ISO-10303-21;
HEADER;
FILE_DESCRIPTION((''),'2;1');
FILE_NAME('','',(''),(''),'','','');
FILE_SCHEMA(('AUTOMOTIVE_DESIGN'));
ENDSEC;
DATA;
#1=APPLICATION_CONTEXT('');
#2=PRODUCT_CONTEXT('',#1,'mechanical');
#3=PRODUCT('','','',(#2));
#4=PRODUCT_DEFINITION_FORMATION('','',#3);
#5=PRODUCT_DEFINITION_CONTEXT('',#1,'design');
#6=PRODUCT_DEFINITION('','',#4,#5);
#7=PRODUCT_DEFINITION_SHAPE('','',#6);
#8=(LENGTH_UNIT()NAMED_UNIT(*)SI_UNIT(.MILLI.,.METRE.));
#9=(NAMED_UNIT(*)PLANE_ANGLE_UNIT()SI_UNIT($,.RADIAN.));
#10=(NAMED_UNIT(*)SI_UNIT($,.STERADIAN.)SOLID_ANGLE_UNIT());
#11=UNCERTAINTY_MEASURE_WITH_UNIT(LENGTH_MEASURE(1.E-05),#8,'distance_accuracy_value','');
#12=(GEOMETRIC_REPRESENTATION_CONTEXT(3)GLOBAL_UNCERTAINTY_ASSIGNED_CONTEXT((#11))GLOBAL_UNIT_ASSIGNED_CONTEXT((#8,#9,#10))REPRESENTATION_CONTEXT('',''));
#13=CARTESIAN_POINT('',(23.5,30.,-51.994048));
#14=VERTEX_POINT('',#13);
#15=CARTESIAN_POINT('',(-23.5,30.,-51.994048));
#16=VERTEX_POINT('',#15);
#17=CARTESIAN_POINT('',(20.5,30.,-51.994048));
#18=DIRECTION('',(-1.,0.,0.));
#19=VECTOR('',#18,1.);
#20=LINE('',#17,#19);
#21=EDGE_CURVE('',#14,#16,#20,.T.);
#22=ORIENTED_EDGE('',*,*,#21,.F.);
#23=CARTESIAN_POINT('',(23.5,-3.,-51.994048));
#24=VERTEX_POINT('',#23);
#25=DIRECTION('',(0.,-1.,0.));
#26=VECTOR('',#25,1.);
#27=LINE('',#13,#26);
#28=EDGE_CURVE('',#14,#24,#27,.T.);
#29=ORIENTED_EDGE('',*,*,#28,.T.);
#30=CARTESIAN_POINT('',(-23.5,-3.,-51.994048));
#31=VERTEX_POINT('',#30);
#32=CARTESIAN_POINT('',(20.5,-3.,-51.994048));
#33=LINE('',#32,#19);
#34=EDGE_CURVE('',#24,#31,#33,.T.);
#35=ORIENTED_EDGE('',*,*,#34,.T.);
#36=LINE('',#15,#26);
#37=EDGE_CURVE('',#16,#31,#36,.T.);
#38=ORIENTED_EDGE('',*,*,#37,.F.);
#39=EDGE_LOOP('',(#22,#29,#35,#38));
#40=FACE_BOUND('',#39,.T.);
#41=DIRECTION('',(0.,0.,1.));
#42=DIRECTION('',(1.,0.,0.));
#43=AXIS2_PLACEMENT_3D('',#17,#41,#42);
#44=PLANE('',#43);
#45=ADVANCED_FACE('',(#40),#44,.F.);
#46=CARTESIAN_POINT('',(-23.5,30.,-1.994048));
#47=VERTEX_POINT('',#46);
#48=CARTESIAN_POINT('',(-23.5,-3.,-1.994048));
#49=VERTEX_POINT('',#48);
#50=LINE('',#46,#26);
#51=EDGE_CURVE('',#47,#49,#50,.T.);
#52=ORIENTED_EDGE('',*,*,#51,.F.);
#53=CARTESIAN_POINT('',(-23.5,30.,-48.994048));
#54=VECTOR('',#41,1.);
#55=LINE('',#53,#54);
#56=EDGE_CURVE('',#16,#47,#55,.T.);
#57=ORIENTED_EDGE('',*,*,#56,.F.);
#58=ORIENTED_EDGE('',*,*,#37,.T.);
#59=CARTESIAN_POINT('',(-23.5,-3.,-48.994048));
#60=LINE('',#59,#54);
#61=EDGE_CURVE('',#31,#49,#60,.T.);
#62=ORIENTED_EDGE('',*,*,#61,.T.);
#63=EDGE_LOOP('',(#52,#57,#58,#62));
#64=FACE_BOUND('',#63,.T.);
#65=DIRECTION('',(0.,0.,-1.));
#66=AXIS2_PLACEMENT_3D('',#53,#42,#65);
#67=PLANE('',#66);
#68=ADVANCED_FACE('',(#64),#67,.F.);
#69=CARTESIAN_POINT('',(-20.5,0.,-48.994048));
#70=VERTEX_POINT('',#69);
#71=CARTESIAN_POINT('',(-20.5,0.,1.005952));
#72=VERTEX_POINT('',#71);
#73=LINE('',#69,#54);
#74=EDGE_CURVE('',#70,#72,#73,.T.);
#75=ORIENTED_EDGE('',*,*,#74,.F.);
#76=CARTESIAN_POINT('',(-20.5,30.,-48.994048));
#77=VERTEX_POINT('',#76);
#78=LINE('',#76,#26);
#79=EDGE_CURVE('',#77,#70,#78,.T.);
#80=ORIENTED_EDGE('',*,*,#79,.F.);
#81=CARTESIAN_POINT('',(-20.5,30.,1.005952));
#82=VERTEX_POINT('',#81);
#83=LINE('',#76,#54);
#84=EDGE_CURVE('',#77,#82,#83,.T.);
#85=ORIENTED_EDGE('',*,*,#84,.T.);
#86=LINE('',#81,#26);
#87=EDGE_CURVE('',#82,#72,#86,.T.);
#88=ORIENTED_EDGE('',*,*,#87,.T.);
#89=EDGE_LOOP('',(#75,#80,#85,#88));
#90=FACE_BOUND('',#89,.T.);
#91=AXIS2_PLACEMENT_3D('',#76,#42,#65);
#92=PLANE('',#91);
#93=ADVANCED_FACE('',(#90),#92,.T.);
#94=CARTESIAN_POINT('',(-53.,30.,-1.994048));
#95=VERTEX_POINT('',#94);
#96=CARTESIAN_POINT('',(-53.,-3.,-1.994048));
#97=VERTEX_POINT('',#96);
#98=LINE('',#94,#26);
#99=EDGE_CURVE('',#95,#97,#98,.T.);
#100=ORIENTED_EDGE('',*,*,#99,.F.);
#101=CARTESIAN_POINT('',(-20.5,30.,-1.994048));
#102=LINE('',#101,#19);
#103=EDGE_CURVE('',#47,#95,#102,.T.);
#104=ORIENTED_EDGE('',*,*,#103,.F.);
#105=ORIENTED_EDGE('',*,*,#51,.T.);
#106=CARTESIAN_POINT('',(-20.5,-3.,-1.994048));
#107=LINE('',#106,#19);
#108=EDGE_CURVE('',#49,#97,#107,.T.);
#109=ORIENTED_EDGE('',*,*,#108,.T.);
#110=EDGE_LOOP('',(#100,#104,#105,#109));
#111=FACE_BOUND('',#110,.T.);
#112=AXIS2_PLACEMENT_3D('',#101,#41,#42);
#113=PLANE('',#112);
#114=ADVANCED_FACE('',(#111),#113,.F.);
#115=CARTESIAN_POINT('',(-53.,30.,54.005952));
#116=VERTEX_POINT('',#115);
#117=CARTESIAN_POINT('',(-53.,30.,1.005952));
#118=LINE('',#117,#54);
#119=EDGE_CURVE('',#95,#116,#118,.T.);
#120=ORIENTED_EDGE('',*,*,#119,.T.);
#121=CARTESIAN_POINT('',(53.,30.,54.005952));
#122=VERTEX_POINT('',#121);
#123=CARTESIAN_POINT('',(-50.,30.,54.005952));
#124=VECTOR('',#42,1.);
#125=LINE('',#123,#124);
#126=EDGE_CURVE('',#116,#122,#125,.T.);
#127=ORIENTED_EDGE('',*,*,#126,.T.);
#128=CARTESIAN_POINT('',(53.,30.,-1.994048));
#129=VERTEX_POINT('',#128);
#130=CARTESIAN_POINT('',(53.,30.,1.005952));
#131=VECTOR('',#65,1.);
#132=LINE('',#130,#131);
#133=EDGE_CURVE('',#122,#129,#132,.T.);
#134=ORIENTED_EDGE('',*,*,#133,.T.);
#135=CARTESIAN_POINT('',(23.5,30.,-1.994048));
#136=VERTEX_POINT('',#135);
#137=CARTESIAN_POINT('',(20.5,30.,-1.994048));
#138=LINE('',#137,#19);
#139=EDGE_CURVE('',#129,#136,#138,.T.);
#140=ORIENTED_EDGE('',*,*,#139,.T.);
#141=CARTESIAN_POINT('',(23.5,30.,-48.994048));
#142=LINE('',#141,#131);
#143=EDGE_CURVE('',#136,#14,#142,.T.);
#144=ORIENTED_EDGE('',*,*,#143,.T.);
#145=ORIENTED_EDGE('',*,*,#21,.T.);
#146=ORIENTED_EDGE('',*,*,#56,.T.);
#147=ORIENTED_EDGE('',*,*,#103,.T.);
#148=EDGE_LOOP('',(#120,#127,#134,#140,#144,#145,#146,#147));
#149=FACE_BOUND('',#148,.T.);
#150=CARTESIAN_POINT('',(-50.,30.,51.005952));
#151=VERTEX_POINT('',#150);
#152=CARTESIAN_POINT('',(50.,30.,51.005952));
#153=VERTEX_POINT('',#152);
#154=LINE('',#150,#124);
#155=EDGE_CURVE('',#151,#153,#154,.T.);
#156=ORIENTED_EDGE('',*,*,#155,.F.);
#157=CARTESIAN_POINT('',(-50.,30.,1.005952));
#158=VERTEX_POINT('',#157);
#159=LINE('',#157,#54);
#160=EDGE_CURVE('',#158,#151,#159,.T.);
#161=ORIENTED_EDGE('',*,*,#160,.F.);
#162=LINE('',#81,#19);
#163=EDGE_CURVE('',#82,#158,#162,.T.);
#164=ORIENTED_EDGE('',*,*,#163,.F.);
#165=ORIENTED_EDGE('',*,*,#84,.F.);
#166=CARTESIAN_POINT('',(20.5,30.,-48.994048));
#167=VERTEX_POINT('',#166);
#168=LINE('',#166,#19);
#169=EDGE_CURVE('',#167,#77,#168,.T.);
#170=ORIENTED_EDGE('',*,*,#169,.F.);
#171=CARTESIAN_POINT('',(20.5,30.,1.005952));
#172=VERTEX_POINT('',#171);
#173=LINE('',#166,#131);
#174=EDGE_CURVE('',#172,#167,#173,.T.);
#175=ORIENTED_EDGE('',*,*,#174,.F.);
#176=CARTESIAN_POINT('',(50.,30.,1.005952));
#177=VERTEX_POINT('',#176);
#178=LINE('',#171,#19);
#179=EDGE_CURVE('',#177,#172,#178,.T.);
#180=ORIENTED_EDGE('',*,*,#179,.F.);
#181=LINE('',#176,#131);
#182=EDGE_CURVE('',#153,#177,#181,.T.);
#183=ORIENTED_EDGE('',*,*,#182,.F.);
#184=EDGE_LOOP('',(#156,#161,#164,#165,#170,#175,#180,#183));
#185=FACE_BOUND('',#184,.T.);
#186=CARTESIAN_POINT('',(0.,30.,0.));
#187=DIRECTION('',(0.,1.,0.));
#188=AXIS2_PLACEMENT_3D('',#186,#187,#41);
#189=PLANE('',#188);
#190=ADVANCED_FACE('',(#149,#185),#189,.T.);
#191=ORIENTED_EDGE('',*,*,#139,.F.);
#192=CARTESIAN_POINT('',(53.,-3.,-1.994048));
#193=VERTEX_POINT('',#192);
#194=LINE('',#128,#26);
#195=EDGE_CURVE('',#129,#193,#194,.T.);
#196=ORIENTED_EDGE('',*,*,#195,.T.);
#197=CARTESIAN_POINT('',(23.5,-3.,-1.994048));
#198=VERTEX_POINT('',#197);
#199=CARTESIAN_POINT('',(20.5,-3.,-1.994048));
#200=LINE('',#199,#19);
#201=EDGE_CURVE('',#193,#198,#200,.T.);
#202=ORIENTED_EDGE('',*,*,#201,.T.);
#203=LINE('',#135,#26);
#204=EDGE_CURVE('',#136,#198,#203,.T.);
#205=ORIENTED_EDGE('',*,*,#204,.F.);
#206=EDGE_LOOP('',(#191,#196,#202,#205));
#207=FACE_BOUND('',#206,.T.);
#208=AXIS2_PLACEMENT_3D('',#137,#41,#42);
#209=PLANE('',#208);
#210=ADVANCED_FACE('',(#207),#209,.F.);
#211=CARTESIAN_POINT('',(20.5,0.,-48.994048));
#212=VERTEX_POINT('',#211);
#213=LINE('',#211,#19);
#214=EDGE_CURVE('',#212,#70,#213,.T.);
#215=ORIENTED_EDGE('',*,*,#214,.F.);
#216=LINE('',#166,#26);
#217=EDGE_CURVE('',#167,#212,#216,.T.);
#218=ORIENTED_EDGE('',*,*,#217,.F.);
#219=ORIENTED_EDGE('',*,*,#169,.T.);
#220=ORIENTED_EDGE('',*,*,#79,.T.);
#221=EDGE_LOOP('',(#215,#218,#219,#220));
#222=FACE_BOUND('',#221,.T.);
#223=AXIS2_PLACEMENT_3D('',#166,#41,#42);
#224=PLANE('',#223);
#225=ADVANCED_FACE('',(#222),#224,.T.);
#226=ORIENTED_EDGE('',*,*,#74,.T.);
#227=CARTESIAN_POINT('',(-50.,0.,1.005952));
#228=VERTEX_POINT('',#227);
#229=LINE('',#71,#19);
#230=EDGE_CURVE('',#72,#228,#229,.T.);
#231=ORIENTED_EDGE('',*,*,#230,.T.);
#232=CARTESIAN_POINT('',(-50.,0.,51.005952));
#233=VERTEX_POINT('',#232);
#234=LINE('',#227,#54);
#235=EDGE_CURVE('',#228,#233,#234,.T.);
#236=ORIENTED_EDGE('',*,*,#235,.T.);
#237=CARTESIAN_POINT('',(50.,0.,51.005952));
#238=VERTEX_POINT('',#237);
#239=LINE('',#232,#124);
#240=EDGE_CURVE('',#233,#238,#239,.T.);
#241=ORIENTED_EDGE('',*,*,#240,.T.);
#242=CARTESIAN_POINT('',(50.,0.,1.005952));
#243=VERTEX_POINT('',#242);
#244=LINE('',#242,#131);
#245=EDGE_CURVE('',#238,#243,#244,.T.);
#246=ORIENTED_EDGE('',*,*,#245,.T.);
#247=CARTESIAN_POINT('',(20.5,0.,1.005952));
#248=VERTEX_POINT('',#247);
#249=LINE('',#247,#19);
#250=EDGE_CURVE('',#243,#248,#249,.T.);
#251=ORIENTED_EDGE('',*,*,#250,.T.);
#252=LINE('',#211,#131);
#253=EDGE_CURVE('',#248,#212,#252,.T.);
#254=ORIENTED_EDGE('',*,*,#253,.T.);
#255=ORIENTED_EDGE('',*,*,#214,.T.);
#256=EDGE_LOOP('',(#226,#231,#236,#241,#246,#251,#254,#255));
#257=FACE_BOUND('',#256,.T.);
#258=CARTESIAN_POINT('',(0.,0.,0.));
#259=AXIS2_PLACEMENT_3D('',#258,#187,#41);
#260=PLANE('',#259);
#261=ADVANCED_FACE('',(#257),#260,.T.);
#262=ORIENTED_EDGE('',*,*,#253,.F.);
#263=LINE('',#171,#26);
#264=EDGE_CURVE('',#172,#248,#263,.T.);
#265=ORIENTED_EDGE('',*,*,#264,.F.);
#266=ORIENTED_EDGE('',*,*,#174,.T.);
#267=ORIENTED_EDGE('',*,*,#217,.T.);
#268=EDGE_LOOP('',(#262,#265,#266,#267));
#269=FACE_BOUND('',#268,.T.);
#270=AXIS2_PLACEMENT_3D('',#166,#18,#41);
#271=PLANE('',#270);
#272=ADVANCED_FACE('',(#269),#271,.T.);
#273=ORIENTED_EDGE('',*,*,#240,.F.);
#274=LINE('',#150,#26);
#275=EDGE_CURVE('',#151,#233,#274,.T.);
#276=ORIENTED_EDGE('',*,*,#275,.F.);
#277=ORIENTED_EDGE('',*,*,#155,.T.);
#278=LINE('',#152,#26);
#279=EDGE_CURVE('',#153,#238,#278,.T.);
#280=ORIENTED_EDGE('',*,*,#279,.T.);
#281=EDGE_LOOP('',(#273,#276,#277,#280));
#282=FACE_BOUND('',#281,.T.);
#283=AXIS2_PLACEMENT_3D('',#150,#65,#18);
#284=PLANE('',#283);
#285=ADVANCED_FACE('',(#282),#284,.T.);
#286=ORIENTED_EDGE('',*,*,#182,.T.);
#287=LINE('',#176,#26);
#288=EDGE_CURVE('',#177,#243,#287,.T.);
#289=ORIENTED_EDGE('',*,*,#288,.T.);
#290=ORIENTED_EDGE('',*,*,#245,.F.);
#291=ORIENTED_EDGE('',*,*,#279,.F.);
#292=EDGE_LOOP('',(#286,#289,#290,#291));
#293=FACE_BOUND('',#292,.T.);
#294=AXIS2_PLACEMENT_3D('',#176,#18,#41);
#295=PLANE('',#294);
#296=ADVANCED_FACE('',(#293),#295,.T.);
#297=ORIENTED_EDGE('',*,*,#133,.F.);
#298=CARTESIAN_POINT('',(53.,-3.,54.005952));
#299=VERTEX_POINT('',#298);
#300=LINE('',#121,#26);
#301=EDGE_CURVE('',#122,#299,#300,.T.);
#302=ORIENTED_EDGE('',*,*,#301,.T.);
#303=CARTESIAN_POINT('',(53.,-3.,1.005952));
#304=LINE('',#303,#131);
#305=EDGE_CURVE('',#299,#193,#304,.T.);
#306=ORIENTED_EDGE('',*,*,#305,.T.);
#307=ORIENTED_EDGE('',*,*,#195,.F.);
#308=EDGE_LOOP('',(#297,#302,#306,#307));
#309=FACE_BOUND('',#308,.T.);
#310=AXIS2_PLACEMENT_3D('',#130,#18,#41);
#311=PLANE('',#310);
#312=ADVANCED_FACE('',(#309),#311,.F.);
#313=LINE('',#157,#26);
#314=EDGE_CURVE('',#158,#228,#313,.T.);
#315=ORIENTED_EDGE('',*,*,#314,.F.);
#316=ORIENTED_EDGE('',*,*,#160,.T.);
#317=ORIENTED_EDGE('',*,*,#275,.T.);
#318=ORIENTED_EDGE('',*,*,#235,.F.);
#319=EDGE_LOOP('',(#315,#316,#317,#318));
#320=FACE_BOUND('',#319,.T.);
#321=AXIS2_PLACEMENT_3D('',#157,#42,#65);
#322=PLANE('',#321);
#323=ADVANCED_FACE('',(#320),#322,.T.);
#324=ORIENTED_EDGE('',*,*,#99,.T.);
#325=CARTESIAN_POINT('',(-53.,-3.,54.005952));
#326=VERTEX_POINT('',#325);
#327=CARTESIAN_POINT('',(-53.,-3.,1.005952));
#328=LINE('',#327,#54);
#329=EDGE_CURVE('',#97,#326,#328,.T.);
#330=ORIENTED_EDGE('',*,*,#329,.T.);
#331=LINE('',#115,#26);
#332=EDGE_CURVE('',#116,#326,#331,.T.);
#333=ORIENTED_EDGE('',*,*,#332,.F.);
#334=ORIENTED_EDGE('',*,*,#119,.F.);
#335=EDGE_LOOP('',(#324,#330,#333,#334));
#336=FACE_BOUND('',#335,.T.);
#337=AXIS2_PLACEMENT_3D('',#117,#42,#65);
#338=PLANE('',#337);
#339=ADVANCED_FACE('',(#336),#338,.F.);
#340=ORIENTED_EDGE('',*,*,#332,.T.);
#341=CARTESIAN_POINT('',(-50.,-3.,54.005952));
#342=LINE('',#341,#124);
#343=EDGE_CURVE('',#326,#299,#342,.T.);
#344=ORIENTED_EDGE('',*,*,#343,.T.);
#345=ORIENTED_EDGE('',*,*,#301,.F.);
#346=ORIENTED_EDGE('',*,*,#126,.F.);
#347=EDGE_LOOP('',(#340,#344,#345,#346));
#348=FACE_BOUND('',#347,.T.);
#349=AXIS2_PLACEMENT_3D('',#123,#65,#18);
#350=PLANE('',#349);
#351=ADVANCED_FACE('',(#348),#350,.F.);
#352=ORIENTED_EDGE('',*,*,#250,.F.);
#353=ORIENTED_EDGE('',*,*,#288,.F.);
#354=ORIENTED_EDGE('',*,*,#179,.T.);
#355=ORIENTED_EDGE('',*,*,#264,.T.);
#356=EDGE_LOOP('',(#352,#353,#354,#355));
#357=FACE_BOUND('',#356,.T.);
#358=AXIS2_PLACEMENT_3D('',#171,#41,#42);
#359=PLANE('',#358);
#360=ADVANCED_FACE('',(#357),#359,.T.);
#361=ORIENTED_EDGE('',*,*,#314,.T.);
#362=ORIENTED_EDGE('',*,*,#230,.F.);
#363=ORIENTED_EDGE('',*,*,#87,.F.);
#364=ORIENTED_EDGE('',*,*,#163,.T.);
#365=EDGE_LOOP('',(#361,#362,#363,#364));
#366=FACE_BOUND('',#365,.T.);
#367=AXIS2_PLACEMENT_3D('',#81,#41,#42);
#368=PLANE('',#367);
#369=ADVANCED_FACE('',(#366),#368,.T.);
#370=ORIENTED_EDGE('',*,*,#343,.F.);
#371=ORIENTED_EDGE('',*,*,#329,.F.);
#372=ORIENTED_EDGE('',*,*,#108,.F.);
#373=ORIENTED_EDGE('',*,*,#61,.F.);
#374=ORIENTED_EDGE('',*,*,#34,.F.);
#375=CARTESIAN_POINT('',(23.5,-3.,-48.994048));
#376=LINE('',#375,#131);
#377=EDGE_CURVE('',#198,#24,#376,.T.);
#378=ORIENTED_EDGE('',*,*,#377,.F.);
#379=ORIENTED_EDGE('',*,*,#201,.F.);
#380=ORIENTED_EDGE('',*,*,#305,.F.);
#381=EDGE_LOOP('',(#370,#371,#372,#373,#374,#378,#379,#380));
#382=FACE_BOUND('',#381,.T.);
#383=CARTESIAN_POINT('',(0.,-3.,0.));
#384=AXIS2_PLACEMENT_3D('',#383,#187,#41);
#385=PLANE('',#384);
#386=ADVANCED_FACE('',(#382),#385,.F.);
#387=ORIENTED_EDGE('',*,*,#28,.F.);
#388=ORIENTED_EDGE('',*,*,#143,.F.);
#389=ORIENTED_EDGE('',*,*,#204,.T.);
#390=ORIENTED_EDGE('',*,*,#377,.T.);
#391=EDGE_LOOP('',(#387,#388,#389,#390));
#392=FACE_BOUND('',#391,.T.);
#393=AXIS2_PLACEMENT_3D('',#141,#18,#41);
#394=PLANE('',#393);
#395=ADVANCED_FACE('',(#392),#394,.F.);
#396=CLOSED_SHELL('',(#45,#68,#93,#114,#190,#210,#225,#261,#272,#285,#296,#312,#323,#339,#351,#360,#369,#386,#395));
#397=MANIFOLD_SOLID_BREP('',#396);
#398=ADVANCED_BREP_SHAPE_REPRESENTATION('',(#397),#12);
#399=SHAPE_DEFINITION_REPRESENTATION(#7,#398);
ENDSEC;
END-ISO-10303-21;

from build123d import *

# Parameters (mm, degrees)
BOSS_EXTRUDE1_DEPTH = 30
SHELL1_T            = 3


with BuildPart() as part:
    # Sketch1 → Boss-Extrude1 (new body)
    with BuildSketch(Plane(origin=(0, 0, 0), x_dir=(1, 0, 0), z_dir=(0, 1, 0))):
        Polygon((20.5, 48.994047619), (-20.5, 48.994047619), (-20.5, -1.005952381), (-50, -1.005952381), (-50, -51.005952381), (50, -51.005952381), (50, -1.005952381), (20.5, -1.005952381), align=None)
    extrude(amount=BOSS_EXTRUDE1_DEPTH)

    # Shell1
    shell1_openings = [part.faces().sort_by_distance(p)[0] for p in [
        (0, 30, 11.466945289),
    ]]
    offset(amount=SHELL1_T, openings=shell1_openings, kind=Kind.INTERSECTION)


solid = part.part
